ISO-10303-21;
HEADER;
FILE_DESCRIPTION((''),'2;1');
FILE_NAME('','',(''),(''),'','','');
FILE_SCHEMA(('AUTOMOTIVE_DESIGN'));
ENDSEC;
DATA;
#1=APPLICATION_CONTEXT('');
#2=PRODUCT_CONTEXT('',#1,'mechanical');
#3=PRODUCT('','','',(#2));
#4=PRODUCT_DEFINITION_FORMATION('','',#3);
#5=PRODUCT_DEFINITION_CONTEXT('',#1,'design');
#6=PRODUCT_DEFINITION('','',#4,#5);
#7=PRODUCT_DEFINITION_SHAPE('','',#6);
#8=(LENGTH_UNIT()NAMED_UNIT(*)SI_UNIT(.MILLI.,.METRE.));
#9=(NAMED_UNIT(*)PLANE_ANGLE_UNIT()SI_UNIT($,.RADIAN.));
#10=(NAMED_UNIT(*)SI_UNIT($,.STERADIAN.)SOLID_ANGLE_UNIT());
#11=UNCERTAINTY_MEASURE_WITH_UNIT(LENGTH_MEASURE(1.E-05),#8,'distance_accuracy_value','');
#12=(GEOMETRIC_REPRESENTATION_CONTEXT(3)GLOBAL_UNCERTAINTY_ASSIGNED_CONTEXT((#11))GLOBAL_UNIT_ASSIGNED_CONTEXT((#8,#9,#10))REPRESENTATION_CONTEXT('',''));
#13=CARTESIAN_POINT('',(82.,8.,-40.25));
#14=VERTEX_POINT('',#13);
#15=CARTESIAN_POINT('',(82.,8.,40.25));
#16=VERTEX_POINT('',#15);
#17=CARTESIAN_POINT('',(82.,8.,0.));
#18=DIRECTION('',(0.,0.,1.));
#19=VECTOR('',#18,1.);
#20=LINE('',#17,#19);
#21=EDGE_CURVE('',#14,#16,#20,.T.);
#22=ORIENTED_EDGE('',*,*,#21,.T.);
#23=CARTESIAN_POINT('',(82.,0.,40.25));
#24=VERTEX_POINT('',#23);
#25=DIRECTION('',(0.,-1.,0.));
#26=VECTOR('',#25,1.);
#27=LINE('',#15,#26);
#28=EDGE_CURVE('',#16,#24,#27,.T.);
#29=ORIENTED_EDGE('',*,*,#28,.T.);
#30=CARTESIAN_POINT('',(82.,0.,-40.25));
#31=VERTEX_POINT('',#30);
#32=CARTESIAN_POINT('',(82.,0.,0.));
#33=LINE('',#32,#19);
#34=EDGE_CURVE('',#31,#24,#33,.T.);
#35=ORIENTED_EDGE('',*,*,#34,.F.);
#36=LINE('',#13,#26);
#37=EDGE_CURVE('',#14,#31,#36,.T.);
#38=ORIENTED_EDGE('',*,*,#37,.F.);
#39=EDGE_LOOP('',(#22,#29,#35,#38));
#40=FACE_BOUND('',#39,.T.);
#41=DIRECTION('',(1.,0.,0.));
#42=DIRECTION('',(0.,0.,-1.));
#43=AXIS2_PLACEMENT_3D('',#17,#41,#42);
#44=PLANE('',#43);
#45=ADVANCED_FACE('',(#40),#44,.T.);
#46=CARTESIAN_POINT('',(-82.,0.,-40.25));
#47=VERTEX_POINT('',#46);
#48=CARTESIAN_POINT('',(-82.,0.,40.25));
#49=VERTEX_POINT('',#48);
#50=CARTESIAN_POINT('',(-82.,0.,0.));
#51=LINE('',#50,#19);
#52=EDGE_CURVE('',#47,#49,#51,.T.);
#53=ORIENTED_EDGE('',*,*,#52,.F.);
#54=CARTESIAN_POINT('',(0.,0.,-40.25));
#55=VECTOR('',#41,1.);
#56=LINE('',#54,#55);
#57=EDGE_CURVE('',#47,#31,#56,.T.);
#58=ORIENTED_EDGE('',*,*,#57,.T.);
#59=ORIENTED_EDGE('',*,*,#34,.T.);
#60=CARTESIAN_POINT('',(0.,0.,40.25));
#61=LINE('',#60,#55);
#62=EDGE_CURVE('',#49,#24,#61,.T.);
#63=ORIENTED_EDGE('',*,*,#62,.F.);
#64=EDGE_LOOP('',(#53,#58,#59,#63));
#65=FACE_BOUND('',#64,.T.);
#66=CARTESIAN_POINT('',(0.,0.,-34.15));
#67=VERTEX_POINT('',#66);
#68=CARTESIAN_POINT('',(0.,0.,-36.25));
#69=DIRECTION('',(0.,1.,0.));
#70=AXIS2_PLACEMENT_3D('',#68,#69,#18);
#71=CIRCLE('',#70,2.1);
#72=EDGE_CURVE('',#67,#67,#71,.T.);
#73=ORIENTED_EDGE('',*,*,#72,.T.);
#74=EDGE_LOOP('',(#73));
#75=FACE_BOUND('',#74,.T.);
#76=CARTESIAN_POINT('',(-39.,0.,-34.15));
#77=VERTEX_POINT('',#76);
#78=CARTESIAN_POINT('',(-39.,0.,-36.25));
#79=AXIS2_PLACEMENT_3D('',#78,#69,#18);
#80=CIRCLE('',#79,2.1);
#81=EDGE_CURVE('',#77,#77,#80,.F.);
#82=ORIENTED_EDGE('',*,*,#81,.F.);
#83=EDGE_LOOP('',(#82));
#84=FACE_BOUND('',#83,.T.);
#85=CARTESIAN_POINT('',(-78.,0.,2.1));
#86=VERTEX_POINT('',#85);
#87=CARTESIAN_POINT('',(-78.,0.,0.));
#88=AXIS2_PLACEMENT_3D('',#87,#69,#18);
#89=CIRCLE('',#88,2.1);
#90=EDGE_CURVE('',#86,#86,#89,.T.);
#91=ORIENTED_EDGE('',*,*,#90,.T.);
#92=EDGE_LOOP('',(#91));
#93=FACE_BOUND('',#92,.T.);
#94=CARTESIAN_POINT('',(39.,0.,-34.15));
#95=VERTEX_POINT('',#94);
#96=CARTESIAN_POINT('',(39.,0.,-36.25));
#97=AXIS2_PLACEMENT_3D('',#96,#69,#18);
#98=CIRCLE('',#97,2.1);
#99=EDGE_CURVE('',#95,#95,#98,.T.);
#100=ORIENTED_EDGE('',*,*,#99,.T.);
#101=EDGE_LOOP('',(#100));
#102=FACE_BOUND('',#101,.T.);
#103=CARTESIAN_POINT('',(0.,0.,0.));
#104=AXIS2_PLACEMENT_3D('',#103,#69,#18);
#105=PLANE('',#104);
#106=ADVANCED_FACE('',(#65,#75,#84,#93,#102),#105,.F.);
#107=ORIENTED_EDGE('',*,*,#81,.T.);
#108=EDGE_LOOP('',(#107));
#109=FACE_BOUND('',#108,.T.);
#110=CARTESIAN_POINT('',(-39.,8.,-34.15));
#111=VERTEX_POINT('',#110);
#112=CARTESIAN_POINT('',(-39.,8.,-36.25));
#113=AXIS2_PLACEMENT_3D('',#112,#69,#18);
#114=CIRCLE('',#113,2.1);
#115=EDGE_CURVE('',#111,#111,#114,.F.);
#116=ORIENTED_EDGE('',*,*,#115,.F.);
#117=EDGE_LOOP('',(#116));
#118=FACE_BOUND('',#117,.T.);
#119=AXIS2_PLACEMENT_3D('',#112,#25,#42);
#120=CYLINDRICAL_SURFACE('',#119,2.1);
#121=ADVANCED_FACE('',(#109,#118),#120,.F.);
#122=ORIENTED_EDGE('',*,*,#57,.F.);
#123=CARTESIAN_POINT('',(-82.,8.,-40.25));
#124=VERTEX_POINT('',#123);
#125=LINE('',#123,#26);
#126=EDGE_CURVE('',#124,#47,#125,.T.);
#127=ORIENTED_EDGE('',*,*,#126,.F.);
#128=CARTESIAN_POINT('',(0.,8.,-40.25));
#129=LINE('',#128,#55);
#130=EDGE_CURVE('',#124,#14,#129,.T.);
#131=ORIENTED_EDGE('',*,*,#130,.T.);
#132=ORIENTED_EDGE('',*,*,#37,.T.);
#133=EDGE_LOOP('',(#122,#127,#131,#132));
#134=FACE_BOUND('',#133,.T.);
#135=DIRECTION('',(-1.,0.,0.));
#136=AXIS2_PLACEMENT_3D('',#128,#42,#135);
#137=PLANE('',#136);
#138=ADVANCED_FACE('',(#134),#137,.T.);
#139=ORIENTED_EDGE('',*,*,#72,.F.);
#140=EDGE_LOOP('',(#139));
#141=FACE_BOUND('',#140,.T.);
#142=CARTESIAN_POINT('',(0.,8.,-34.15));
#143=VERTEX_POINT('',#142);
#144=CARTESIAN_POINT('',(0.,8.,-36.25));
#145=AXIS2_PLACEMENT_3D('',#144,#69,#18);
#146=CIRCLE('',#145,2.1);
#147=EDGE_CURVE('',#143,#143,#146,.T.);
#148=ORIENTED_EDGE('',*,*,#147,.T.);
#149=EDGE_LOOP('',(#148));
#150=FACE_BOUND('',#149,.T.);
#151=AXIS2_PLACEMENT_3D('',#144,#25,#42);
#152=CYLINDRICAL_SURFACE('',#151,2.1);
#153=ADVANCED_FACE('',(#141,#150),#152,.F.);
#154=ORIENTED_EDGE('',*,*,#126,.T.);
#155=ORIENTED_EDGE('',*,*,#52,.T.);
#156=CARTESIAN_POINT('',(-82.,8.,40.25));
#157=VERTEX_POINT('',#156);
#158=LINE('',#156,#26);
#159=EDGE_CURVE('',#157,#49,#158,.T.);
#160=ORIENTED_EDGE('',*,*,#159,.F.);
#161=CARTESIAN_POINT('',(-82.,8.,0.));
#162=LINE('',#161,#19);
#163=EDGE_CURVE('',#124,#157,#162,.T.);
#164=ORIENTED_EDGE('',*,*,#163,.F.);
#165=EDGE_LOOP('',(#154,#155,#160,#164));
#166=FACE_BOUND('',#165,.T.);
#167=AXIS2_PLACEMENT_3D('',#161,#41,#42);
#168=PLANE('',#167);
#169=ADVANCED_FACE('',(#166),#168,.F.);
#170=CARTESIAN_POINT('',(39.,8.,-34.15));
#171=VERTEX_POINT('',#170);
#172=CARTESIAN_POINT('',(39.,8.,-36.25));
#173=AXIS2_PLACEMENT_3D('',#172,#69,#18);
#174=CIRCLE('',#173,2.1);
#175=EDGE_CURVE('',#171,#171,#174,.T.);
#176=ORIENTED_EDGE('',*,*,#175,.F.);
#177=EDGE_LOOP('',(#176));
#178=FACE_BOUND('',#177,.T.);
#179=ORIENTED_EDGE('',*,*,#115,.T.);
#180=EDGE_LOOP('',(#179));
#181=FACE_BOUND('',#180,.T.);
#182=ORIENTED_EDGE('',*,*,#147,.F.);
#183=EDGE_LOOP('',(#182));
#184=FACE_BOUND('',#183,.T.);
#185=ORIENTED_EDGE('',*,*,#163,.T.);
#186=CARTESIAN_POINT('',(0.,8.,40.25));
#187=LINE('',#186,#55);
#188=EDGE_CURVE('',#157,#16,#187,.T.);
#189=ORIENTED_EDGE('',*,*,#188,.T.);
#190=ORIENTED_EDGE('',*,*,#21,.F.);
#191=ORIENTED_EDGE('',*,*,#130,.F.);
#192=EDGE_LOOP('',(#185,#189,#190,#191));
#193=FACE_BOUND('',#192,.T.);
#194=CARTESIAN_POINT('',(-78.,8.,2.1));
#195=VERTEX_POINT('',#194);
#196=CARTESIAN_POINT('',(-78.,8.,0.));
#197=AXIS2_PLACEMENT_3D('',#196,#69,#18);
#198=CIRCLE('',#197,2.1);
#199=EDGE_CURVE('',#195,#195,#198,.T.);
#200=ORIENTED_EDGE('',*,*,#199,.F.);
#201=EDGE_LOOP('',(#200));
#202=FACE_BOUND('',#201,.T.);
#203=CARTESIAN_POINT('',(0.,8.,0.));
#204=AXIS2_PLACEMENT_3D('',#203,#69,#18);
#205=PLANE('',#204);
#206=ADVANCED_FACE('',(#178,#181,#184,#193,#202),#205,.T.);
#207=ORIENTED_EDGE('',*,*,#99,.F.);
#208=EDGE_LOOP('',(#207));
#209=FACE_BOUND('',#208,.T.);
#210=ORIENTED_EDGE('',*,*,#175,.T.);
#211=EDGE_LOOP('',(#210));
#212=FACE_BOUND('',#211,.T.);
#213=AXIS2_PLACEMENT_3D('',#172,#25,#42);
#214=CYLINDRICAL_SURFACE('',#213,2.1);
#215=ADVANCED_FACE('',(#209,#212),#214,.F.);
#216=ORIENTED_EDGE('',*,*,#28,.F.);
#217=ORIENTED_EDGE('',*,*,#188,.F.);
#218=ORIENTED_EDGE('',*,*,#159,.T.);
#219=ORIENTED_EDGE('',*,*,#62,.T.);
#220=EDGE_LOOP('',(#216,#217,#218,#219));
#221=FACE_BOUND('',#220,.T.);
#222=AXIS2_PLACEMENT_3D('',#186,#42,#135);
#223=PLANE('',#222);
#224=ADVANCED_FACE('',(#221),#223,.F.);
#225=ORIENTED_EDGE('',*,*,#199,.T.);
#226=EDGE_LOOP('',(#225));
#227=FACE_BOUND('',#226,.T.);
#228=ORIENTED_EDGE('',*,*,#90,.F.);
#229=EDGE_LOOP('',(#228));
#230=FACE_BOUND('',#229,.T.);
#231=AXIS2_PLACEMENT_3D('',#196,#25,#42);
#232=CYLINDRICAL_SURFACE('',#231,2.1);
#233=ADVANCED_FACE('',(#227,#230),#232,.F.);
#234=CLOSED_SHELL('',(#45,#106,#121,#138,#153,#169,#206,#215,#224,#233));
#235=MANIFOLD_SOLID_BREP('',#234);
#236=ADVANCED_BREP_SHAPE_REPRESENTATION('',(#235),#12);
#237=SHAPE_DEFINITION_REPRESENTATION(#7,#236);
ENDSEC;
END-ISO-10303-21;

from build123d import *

# Parameters (mm, degrees)
SKETCH1_W           = 164
SKETCH1_H           = 80.5
SKETCH1_R           = 2.1
BOSS_EXTRUDE1_DEPTH = 8


with BuildPart() as part:
    # Sketch1 → Boss-Extrude1 (new body)
    with BuildSketch(Plane(origin=(0, 0, 0), x_dir=(1, 0, 0), z_dir=(0, 1, 0))):
        Rectangle(SKETCH1_W, SKETCH1_H)
        with Locations((0, 36.25)):
            Circle(SKETCH1_R, mode=Mode.SUBTRACT)
        with Locations((39, 36.25)):
            Circle(SKETCH1_R, mode=Mode.SUBTRACT)
        with Locations((-39, 36.25)):
            Circle(SKETCH1_R, mode=Mode.SUBTRACT)
        with Locations((-78, 0)):
            Circle(SKETCH1_R, mode=Mode.SUBTRACT)
    extrude(amount=BOSS_EXTRUDE1_DEPTH)


solid = part.part
